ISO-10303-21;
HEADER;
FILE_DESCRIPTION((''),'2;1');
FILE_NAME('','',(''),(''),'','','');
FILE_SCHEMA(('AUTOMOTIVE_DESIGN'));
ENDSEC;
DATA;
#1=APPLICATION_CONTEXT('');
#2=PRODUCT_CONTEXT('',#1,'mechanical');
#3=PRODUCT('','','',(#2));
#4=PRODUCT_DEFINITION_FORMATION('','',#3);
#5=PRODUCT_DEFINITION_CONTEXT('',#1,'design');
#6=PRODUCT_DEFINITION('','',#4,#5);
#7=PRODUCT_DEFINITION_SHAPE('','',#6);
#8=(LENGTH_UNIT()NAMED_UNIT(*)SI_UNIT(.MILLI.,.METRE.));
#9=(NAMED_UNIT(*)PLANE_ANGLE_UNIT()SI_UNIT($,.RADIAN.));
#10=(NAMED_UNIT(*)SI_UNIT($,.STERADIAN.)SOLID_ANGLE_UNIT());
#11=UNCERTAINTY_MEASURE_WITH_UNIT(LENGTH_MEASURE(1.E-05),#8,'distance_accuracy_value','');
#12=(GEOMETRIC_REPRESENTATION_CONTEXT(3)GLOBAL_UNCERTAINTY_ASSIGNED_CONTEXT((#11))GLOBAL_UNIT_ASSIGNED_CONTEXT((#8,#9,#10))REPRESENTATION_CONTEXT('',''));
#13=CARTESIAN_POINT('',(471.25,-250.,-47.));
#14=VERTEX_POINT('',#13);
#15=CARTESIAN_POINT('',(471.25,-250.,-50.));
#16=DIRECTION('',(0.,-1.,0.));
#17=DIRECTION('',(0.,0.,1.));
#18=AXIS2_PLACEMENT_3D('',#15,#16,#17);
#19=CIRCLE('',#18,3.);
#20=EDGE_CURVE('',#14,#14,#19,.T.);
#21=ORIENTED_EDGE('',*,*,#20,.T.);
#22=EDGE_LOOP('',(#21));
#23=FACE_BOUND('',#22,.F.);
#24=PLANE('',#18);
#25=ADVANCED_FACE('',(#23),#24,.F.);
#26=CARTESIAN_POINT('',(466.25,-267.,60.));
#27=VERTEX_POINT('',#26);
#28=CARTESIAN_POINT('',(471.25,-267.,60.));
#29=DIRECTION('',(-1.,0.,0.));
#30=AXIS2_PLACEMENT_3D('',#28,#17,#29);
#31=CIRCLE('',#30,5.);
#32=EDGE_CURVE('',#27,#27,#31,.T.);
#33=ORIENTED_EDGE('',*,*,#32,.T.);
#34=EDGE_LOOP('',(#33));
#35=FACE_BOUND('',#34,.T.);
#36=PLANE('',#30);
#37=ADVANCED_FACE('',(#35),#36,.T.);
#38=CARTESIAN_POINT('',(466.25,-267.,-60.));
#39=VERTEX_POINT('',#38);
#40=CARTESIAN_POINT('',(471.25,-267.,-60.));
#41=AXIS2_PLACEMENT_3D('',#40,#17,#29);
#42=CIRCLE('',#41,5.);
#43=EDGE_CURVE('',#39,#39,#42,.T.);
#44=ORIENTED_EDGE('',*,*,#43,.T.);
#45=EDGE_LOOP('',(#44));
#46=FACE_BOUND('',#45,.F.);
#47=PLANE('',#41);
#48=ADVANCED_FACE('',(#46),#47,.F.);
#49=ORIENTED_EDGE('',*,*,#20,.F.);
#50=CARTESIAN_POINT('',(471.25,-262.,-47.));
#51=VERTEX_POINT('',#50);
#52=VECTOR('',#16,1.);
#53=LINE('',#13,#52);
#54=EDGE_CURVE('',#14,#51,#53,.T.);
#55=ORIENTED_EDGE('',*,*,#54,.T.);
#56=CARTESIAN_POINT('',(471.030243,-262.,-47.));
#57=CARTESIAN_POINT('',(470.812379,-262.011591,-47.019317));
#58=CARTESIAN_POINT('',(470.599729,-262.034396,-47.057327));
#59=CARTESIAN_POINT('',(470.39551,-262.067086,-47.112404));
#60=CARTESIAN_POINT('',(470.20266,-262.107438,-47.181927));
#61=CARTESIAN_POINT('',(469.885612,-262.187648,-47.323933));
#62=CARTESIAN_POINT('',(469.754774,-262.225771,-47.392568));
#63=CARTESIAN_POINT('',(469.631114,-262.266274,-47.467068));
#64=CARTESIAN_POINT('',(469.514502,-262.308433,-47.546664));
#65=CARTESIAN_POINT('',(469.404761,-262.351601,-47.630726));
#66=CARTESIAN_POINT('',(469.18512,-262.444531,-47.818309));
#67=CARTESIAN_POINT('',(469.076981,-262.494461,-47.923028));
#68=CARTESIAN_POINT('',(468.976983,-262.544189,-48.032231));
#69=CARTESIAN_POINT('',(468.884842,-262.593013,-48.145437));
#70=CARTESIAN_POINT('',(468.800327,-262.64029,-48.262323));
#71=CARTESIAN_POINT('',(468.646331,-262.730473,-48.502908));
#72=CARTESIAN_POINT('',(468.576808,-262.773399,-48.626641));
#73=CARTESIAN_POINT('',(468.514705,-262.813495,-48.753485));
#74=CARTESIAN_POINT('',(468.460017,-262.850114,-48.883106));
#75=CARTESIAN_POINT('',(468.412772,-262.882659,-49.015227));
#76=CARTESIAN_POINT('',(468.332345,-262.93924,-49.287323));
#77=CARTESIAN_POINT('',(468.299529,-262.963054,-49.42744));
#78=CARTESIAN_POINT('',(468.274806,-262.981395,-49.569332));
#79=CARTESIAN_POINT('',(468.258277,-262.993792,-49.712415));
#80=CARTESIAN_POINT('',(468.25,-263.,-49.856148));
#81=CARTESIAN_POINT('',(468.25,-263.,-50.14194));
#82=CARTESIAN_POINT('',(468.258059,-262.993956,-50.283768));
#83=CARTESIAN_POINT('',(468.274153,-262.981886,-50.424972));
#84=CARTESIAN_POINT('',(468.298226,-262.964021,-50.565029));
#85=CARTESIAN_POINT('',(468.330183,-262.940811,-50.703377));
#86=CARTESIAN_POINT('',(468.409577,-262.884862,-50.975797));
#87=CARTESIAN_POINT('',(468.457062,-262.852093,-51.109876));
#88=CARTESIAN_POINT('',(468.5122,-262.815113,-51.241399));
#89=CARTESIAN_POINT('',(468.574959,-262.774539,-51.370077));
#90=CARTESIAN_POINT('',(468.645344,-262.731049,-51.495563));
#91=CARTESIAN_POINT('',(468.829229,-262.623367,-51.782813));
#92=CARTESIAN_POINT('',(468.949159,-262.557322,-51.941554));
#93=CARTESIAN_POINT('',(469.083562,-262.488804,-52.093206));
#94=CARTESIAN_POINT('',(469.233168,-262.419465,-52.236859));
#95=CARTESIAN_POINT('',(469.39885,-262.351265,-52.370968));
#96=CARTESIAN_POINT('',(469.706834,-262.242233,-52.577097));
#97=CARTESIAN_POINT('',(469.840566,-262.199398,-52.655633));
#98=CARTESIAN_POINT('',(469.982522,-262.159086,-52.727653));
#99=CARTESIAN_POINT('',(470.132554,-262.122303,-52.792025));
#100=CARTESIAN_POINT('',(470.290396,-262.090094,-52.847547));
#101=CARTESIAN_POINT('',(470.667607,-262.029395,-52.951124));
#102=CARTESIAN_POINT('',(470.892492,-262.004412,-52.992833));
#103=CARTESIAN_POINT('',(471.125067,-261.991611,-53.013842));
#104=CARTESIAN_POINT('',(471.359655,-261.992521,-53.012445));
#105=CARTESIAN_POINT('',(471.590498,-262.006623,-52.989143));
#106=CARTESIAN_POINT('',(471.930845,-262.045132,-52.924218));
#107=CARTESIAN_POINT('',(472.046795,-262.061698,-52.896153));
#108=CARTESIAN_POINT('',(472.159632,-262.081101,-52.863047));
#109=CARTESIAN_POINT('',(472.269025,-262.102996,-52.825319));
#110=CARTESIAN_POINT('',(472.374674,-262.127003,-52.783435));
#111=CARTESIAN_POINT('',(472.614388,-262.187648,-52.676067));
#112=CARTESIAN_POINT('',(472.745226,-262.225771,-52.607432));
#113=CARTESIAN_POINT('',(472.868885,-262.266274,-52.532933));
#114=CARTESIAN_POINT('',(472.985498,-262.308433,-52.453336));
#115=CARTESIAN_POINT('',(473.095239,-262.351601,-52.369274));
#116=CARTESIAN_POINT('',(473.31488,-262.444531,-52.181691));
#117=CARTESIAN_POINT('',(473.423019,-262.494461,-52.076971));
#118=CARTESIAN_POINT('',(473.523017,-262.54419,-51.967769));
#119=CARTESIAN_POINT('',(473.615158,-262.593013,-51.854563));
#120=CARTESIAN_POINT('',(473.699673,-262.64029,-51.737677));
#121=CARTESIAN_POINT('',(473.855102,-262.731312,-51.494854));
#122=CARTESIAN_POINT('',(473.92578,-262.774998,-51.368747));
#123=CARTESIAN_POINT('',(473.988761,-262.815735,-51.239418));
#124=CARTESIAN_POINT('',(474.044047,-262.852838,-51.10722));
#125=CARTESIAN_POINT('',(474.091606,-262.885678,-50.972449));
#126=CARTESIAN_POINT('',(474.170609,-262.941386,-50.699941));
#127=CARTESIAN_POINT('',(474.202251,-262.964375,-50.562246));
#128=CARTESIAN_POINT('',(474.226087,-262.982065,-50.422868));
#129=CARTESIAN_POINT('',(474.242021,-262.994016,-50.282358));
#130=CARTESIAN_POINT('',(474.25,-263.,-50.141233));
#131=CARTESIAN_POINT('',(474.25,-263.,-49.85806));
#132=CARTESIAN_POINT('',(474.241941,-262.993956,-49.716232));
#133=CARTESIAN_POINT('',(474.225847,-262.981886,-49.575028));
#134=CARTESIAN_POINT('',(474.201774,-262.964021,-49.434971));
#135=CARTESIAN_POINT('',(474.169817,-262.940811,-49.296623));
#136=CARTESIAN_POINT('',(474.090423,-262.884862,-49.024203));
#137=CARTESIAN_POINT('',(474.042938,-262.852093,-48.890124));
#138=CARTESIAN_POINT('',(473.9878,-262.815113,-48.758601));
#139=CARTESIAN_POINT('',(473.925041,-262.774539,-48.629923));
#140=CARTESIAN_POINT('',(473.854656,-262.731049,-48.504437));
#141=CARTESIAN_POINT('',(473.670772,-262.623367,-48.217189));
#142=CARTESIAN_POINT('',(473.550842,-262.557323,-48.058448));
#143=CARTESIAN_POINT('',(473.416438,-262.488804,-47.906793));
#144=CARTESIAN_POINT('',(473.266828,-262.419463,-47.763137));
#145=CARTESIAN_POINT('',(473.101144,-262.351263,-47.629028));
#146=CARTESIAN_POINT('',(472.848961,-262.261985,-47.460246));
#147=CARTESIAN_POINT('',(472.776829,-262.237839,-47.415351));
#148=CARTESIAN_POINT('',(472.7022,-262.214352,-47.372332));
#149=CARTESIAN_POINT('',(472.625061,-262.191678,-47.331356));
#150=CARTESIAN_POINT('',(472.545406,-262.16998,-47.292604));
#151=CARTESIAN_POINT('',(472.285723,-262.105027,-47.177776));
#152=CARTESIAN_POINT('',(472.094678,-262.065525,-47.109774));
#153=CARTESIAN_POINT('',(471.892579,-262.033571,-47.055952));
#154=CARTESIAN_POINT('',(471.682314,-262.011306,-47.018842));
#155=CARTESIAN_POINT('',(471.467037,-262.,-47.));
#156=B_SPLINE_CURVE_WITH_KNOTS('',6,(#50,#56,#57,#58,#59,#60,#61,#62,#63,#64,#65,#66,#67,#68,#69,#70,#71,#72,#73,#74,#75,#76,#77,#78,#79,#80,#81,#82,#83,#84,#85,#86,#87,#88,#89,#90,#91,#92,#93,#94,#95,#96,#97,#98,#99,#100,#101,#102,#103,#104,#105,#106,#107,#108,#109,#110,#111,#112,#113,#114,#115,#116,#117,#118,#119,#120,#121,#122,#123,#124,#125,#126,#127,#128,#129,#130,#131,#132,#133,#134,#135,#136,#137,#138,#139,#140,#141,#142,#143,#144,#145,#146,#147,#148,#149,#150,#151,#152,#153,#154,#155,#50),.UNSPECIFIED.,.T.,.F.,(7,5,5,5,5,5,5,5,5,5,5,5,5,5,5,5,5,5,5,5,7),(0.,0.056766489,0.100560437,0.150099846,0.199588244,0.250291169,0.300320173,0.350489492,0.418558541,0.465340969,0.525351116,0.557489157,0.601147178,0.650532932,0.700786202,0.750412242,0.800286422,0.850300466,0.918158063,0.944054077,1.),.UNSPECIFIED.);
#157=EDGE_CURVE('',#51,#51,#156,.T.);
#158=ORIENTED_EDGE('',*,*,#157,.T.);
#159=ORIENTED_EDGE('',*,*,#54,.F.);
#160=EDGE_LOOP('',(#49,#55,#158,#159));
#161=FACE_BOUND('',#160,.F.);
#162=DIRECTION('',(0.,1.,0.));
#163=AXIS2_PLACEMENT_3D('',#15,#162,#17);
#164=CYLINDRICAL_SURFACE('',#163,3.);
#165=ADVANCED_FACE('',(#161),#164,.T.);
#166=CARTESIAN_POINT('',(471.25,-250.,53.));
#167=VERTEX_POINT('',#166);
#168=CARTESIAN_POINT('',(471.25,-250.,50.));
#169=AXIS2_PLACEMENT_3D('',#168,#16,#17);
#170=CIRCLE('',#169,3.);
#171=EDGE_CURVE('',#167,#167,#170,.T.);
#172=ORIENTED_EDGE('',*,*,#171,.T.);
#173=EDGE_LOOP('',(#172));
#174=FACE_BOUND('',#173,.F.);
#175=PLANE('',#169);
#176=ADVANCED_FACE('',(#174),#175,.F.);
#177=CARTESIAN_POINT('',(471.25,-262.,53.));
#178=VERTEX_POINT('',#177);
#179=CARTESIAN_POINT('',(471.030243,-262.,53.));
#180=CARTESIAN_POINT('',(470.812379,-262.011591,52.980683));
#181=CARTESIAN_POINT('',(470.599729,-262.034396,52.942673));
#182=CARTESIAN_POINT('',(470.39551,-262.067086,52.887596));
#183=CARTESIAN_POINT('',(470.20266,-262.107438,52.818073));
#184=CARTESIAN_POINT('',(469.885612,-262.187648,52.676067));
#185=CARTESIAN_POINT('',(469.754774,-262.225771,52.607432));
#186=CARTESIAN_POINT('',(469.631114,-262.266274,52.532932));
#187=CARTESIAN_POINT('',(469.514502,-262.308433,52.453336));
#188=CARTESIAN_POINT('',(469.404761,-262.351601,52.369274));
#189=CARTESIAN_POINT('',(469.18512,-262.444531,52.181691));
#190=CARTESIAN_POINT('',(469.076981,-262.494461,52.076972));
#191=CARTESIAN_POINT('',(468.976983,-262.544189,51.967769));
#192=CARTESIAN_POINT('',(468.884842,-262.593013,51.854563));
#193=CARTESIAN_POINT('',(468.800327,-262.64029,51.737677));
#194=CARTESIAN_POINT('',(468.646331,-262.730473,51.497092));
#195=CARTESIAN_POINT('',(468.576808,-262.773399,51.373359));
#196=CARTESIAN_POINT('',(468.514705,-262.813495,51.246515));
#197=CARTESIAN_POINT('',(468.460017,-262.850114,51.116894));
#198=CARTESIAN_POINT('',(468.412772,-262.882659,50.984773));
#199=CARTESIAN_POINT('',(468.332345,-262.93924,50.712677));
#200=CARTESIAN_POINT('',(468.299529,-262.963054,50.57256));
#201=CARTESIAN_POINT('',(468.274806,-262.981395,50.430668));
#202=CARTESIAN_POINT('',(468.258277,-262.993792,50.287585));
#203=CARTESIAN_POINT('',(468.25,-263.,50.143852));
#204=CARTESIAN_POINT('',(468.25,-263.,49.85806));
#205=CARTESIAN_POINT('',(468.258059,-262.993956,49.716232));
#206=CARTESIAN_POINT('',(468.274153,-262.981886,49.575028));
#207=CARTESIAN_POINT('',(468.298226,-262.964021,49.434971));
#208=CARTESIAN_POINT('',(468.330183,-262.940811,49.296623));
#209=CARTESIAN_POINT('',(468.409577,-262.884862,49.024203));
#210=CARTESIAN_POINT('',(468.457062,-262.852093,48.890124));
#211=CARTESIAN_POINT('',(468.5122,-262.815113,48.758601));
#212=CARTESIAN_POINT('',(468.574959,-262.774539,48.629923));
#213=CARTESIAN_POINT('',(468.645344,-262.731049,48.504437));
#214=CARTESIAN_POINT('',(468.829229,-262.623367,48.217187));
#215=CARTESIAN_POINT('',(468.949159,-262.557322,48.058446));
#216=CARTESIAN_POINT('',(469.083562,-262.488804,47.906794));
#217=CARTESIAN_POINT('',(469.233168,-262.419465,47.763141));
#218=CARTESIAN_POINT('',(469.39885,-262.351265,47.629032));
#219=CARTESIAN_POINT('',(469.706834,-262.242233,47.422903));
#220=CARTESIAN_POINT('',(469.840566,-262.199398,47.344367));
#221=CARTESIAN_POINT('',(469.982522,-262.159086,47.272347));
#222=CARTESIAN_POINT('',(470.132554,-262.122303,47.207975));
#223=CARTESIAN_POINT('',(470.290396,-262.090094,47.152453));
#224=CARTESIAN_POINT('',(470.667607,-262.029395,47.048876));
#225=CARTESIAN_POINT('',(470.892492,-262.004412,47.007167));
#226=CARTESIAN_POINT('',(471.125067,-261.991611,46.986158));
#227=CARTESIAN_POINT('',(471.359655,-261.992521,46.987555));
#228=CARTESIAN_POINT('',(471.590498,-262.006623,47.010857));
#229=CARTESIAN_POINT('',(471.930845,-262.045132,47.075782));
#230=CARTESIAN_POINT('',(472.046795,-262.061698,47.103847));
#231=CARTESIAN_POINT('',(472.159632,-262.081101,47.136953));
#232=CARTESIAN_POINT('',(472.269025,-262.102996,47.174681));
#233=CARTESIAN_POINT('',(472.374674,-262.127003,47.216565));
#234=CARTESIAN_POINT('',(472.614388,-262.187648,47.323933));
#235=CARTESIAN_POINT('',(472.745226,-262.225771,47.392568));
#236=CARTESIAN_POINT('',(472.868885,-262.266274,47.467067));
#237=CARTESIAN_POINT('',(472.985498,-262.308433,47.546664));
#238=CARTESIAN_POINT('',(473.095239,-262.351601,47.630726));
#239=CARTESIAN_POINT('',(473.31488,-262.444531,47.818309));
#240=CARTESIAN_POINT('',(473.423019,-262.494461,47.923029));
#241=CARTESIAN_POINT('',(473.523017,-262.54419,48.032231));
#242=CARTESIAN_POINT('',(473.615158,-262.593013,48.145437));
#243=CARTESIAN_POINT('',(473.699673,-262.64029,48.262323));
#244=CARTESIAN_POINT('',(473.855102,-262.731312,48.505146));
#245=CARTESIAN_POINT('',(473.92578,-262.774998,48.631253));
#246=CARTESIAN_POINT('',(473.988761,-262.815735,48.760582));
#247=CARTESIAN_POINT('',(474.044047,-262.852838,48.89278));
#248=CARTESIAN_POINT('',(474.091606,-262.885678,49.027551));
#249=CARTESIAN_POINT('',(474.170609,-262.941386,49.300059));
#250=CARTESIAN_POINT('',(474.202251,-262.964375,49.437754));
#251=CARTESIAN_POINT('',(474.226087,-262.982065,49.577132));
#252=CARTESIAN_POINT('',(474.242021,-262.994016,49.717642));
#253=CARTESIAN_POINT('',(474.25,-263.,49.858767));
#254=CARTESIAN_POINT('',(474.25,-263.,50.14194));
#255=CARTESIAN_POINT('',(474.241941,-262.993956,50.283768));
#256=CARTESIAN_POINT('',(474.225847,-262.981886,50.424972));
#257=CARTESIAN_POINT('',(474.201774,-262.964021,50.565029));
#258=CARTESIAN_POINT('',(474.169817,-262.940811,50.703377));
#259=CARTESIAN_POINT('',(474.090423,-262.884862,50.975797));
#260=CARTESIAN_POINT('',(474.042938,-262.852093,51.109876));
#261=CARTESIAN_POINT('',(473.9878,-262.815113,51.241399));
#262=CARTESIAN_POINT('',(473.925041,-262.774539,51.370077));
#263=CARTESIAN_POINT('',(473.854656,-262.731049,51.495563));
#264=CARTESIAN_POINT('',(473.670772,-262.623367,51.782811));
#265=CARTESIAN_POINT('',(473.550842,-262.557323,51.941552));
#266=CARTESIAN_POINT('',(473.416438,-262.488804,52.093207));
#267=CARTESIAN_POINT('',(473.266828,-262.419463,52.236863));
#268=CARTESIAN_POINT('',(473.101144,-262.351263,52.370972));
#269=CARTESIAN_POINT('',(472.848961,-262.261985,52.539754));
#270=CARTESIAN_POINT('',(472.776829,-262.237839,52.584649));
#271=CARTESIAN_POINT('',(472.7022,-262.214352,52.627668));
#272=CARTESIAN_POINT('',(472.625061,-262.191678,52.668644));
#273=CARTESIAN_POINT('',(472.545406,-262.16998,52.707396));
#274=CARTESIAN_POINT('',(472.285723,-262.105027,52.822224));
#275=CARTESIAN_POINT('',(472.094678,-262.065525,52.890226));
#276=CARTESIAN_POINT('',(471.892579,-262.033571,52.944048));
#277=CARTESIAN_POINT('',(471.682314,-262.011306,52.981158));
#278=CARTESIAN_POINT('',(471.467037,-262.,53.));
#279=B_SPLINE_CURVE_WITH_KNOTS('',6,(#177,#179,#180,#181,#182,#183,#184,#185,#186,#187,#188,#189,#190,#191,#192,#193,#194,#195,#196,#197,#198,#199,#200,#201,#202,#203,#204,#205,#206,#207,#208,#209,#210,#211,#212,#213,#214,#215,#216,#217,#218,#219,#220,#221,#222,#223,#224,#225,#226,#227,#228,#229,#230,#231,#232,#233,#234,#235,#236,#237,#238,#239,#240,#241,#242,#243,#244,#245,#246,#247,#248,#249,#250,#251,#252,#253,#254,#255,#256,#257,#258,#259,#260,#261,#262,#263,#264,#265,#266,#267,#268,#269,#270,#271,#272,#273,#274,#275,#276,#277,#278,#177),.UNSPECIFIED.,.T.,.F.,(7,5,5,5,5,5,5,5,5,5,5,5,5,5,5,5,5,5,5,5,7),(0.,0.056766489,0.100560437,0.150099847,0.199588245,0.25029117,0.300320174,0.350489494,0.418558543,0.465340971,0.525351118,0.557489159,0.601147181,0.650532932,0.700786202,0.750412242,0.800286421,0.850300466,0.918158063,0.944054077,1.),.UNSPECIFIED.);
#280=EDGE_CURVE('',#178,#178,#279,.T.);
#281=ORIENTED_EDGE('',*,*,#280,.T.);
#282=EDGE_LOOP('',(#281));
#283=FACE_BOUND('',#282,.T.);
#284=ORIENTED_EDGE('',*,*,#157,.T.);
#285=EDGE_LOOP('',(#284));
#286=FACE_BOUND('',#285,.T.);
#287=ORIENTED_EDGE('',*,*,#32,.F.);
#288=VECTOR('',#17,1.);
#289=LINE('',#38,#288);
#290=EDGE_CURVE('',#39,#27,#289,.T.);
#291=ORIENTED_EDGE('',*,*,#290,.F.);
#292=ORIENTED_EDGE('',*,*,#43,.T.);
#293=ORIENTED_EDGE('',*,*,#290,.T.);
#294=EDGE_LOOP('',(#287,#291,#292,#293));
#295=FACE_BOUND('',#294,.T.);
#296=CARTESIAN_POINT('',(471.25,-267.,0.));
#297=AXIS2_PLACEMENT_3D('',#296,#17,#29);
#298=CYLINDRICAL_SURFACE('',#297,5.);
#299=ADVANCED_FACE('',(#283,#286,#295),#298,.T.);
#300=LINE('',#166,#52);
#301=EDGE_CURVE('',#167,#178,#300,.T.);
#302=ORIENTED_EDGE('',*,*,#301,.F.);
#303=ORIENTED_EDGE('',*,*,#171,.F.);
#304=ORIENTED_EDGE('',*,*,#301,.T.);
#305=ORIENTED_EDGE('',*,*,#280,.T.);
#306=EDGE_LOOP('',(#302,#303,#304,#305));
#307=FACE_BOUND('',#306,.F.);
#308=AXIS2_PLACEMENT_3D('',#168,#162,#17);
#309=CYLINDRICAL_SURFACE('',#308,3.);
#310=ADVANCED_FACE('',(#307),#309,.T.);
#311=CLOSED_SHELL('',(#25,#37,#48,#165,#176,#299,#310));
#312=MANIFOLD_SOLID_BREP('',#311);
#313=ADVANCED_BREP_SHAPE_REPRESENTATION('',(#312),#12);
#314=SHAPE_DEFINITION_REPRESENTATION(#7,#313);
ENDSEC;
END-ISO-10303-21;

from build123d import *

# Parameters (mm, degrees)
SKETCH1248_R           = 5
EXTRUDE084143362_DEPTH = 60
CLONE2D015_R           = 3
EXTRUDE084143363_DEPTH = 17
SKETCH1249_R           = 3
EXTRUDE084143361_DEPTH = 17


with BuildPart() as extrude084143362:
    # Sketch1248 (on Sketch) → Extrude084143362 (new body, symmetric)
    with BuildSketch(Plane(origin=(471.25, -267, 0), x_dir=(-1, 0, 0), z_dir=(0, 0, 1))):
        Circle(SKETCH1248_R)
    extrude(amount=EXTRUDE084143362_DEPTH, both=True)


with BuildPart() as extrude084143363:
    # Clone2D015 (on Sketch) → Extrude084143363 (new body)
    with BuildSketch(Plane(origin=(471.25, -250, 50), x_dir=(0, 0, 1), z_dir=(0, -1, 0))):
        Circle(CLONE2D015_R)
    extrude(amount=EXTRUDE084143363_DEPTH)


with BuildPart() as handle_right_03_single:
    # Sketch1249 (on Sketch) → Extrude084143361 (new body)
    with BuildSketch(Plane(origin=(471.25, -250, -50), x_dir=(0, 0, 1), z_dir=(0, -1, 0))):
        Circle(SKETCH1249_R)
    extrude(amount=EXTRUDE084143361_DEPTH)

    # Fusion008: union Extrude084143362, Extrude084143363
    add(extrude084143362.part)
    add(extrude084143363.part)


solid = handle_right_03_single.part
